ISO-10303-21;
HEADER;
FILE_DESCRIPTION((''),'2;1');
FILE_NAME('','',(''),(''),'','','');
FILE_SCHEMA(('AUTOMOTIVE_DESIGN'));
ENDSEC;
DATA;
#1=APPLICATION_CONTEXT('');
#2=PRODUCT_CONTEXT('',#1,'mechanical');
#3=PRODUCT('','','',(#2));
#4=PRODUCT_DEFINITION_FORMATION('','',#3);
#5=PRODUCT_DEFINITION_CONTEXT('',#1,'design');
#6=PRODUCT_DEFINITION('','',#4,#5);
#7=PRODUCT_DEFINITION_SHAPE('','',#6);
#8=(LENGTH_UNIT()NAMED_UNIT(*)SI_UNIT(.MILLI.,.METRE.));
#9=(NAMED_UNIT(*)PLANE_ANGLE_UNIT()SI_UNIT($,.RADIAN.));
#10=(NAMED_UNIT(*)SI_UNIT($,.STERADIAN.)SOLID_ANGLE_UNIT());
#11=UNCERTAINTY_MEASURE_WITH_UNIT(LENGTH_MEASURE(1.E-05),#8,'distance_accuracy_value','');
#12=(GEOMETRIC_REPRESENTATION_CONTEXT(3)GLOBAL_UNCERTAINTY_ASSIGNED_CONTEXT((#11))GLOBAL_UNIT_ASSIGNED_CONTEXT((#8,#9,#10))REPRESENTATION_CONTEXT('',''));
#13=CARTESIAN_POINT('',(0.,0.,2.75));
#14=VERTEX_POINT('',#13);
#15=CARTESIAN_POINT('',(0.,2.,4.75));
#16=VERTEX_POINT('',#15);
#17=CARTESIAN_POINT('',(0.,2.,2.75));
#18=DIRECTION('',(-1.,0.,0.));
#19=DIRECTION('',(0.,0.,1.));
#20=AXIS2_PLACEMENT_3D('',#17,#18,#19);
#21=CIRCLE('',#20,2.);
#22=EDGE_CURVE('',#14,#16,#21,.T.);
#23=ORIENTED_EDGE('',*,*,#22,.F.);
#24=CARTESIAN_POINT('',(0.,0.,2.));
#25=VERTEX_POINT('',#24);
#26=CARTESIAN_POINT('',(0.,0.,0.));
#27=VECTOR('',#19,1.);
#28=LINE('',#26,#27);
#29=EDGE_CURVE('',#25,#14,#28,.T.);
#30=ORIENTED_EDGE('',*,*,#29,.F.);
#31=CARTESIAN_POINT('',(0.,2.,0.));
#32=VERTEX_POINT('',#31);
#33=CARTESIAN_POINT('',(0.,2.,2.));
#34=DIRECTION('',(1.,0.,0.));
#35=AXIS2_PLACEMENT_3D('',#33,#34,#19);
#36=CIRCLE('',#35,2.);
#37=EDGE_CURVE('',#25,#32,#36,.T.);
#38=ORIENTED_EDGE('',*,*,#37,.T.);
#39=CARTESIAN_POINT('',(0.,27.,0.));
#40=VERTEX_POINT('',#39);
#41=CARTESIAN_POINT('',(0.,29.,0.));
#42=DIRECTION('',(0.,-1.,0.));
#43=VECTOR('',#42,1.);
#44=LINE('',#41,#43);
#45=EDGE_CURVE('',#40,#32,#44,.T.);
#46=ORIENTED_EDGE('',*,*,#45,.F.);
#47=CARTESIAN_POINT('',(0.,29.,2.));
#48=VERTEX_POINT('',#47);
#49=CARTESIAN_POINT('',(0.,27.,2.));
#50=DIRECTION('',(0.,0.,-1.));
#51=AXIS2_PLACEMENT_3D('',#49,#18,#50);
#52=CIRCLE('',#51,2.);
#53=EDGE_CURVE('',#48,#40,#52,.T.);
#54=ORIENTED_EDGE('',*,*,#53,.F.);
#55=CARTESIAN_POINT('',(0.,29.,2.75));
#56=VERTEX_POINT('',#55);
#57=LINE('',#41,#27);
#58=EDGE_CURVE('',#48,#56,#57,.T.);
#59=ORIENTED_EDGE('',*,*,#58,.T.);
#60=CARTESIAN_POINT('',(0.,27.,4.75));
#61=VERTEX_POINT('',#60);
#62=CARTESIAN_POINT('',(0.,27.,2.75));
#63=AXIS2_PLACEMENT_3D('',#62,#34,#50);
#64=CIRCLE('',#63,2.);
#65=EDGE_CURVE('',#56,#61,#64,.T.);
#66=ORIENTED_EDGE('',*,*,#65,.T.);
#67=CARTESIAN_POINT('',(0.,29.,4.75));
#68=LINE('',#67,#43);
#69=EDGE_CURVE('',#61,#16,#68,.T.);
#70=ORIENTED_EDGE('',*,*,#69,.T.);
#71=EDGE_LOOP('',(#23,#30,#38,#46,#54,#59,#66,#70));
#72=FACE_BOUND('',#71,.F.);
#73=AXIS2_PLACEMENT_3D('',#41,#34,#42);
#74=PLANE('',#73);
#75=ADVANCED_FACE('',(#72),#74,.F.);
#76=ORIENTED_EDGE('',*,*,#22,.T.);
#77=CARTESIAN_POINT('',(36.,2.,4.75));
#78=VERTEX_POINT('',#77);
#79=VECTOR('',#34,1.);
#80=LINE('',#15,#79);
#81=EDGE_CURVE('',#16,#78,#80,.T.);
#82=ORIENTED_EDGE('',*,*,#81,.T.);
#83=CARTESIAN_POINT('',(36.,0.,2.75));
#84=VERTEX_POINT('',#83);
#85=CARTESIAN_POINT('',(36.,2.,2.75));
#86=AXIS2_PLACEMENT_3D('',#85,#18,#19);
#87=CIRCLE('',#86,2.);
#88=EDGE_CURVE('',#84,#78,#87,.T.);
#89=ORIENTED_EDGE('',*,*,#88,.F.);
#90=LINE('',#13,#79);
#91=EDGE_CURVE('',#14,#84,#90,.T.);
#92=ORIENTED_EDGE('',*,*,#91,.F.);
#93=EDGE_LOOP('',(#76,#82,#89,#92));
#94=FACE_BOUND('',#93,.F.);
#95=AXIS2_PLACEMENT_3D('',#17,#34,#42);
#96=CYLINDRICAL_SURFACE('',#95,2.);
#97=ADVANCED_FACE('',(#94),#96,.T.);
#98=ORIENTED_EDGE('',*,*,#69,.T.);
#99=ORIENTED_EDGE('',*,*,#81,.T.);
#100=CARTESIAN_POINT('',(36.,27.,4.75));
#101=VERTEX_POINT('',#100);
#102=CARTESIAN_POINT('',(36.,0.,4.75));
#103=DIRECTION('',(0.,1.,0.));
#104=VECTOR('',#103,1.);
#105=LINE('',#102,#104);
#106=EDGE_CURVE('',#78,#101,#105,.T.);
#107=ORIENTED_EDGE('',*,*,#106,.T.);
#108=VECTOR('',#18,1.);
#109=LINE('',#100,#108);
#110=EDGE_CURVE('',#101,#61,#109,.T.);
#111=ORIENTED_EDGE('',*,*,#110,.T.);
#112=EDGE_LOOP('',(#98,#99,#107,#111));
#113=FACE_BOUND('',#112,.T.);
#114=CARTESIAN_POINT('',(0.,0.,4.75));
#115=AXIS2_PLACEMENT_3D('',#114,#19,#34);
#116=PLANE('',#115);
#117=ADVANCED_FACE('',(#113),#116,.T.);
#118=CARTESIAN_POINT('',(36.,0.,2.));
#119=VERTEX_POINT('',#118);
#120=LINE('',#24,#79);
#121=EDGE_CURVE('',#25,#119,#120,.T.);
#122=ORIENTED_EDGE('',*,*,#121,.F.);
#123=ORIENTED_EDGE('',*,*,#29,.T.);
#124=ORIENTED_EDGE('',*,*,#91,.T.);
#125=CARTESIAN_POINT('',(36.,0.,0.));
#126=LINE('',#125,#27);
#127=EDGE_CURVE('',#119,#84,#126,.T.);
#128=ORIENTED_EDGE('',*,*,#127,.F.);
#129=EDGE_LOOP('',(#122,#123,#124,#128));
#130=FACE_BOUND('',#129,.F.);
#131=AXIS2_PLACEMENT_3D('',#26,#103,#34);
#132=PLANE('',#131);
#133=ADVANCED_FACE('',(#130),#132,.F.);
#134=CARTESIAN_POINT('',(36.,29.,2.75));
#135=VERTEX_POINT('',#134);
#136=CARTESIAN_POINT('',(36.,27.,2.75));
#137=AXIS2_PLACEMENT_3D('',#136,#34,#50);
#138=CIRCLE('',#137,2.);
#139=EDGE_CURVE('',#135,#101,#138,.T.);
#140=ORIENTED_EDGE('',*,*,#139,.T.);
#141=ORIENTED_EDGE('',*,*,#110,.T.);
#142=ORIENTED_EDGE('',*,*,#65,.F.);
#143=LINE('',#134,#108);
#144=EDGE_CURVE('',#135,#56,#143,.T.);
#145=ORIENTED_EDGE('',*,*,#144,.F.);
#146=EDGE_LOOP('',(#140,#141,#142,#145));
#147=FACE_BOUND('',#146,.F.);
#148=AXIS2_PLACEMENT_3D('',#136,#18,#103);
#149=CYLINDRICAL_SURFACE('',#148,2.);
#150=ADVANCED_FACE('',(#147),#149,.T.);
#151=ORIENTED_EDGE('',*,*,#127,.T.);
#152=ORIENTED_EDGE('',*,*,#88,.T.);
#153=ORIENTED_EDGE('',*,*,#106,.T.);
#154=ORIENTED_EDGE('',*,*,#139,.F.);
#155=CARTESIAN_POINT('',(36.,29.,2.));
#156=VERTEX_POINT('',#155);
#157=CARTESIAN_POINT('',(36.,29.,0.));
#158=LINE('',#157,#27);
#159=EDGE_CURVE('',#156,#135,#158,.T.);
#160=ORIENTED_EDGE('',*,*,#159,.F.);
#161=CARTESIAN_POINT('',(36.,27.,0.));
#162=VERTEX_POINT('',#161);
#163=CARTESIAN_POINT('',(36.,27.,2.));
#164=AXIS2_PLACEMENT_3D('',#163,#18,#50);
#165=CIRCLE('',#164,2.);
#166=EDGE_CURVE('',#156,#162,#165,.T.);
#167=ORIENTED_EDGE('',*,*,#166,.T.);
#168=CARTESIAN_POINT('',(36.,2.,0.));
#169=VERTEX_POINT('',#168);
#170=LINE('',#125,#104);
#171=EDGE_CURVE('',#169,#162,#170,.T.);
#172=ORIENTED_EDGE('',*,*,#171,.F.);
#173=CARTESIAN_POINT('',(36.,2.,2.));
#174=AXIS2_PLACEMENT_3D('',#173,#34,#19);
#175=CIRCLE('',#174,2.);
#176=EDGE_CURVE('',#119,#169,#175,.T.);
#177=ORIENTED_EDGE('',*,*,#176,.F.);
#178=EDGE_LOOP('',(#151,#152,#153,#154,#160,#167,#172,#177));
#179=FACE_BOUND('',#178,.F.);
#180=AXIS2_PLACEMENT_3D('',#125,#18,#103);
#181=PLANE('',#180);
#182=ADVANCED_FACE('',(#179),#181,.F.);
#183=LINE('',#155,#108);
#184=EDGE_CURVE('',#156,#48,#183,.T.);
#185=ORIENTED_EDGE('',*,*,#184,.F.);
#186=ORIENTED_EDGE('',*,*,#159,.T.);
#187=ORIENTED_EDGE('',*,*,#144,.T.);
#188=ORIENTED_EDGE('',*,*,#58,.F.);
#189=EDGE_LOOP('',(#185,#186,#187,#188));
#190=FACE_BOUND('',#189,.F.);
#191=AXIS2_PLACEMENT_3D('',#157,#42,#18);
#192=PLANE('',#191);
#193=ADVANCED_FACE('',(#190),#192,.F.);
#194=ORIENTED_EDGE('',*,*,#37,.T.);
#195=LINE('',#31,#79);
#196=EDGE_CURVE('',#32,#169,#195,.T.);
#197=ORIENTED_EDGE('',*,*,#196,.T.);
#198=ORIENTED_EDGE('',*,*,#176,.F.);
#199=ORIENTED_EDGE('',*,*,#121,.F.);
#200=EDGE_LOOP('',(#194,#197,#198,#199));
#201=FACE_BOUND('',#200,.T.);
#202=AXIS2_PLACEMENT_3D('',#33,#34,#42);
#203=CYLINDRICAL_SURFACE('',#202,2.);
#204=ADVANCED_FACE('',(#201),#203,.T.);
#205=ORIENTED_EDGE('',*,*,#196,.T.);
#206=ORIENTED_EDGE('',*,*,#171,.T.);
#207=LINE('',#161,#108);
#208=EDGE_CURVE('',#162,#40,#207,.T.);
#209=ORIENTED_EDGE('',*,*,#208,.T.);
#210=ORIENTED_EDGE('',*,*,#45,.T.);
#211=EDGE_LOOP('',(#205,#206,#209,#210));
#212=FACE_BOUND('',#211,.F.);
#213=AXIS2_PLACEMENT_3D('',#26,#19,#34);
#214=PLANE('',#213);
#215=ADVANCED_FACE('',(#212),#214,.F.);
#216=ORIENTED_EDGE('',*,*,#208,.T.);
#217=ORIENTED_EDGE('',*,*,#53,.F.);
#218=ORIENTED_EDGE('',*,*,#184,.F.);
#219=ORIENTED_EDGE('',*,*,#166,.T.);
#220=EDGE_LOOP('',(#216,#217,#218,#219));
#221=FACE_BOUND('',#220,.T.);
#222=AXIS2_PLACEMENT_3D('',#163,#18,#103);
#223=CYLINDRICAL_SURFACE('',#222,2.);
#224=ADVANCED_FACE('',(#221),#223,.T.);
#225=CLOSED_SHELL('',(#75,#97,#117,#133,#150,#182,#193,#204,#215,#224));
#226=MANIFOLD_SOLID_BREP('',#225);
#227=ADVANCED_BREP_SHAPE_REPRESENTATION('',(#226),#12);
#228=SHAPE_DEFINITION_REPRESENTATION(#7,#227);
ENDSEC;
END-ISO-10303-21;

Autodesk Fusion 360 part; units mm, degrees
sketch "Sketch1" plane through (0, 0, 0) normal (0, 0, 1) x (1, 0, 0)
  line L0 (0, 0) -> (36, 0)
  line L1 (36, 0) -> (36, 29)
  line L2 (36, 29) -> (0, 29)
  line L3 (0, 29) -> (0, 0)
  dimension "d1" = 36
  dimension "d2" = 29
extrude "Extrude1" add sketch "Sketch1" along normal blind 4.75
fillet "Fillet1" radius 2 4 edges at (18, 0, 4.75) (18, 0, 0) (18, 29, 4.75) (18, 29, 0)
